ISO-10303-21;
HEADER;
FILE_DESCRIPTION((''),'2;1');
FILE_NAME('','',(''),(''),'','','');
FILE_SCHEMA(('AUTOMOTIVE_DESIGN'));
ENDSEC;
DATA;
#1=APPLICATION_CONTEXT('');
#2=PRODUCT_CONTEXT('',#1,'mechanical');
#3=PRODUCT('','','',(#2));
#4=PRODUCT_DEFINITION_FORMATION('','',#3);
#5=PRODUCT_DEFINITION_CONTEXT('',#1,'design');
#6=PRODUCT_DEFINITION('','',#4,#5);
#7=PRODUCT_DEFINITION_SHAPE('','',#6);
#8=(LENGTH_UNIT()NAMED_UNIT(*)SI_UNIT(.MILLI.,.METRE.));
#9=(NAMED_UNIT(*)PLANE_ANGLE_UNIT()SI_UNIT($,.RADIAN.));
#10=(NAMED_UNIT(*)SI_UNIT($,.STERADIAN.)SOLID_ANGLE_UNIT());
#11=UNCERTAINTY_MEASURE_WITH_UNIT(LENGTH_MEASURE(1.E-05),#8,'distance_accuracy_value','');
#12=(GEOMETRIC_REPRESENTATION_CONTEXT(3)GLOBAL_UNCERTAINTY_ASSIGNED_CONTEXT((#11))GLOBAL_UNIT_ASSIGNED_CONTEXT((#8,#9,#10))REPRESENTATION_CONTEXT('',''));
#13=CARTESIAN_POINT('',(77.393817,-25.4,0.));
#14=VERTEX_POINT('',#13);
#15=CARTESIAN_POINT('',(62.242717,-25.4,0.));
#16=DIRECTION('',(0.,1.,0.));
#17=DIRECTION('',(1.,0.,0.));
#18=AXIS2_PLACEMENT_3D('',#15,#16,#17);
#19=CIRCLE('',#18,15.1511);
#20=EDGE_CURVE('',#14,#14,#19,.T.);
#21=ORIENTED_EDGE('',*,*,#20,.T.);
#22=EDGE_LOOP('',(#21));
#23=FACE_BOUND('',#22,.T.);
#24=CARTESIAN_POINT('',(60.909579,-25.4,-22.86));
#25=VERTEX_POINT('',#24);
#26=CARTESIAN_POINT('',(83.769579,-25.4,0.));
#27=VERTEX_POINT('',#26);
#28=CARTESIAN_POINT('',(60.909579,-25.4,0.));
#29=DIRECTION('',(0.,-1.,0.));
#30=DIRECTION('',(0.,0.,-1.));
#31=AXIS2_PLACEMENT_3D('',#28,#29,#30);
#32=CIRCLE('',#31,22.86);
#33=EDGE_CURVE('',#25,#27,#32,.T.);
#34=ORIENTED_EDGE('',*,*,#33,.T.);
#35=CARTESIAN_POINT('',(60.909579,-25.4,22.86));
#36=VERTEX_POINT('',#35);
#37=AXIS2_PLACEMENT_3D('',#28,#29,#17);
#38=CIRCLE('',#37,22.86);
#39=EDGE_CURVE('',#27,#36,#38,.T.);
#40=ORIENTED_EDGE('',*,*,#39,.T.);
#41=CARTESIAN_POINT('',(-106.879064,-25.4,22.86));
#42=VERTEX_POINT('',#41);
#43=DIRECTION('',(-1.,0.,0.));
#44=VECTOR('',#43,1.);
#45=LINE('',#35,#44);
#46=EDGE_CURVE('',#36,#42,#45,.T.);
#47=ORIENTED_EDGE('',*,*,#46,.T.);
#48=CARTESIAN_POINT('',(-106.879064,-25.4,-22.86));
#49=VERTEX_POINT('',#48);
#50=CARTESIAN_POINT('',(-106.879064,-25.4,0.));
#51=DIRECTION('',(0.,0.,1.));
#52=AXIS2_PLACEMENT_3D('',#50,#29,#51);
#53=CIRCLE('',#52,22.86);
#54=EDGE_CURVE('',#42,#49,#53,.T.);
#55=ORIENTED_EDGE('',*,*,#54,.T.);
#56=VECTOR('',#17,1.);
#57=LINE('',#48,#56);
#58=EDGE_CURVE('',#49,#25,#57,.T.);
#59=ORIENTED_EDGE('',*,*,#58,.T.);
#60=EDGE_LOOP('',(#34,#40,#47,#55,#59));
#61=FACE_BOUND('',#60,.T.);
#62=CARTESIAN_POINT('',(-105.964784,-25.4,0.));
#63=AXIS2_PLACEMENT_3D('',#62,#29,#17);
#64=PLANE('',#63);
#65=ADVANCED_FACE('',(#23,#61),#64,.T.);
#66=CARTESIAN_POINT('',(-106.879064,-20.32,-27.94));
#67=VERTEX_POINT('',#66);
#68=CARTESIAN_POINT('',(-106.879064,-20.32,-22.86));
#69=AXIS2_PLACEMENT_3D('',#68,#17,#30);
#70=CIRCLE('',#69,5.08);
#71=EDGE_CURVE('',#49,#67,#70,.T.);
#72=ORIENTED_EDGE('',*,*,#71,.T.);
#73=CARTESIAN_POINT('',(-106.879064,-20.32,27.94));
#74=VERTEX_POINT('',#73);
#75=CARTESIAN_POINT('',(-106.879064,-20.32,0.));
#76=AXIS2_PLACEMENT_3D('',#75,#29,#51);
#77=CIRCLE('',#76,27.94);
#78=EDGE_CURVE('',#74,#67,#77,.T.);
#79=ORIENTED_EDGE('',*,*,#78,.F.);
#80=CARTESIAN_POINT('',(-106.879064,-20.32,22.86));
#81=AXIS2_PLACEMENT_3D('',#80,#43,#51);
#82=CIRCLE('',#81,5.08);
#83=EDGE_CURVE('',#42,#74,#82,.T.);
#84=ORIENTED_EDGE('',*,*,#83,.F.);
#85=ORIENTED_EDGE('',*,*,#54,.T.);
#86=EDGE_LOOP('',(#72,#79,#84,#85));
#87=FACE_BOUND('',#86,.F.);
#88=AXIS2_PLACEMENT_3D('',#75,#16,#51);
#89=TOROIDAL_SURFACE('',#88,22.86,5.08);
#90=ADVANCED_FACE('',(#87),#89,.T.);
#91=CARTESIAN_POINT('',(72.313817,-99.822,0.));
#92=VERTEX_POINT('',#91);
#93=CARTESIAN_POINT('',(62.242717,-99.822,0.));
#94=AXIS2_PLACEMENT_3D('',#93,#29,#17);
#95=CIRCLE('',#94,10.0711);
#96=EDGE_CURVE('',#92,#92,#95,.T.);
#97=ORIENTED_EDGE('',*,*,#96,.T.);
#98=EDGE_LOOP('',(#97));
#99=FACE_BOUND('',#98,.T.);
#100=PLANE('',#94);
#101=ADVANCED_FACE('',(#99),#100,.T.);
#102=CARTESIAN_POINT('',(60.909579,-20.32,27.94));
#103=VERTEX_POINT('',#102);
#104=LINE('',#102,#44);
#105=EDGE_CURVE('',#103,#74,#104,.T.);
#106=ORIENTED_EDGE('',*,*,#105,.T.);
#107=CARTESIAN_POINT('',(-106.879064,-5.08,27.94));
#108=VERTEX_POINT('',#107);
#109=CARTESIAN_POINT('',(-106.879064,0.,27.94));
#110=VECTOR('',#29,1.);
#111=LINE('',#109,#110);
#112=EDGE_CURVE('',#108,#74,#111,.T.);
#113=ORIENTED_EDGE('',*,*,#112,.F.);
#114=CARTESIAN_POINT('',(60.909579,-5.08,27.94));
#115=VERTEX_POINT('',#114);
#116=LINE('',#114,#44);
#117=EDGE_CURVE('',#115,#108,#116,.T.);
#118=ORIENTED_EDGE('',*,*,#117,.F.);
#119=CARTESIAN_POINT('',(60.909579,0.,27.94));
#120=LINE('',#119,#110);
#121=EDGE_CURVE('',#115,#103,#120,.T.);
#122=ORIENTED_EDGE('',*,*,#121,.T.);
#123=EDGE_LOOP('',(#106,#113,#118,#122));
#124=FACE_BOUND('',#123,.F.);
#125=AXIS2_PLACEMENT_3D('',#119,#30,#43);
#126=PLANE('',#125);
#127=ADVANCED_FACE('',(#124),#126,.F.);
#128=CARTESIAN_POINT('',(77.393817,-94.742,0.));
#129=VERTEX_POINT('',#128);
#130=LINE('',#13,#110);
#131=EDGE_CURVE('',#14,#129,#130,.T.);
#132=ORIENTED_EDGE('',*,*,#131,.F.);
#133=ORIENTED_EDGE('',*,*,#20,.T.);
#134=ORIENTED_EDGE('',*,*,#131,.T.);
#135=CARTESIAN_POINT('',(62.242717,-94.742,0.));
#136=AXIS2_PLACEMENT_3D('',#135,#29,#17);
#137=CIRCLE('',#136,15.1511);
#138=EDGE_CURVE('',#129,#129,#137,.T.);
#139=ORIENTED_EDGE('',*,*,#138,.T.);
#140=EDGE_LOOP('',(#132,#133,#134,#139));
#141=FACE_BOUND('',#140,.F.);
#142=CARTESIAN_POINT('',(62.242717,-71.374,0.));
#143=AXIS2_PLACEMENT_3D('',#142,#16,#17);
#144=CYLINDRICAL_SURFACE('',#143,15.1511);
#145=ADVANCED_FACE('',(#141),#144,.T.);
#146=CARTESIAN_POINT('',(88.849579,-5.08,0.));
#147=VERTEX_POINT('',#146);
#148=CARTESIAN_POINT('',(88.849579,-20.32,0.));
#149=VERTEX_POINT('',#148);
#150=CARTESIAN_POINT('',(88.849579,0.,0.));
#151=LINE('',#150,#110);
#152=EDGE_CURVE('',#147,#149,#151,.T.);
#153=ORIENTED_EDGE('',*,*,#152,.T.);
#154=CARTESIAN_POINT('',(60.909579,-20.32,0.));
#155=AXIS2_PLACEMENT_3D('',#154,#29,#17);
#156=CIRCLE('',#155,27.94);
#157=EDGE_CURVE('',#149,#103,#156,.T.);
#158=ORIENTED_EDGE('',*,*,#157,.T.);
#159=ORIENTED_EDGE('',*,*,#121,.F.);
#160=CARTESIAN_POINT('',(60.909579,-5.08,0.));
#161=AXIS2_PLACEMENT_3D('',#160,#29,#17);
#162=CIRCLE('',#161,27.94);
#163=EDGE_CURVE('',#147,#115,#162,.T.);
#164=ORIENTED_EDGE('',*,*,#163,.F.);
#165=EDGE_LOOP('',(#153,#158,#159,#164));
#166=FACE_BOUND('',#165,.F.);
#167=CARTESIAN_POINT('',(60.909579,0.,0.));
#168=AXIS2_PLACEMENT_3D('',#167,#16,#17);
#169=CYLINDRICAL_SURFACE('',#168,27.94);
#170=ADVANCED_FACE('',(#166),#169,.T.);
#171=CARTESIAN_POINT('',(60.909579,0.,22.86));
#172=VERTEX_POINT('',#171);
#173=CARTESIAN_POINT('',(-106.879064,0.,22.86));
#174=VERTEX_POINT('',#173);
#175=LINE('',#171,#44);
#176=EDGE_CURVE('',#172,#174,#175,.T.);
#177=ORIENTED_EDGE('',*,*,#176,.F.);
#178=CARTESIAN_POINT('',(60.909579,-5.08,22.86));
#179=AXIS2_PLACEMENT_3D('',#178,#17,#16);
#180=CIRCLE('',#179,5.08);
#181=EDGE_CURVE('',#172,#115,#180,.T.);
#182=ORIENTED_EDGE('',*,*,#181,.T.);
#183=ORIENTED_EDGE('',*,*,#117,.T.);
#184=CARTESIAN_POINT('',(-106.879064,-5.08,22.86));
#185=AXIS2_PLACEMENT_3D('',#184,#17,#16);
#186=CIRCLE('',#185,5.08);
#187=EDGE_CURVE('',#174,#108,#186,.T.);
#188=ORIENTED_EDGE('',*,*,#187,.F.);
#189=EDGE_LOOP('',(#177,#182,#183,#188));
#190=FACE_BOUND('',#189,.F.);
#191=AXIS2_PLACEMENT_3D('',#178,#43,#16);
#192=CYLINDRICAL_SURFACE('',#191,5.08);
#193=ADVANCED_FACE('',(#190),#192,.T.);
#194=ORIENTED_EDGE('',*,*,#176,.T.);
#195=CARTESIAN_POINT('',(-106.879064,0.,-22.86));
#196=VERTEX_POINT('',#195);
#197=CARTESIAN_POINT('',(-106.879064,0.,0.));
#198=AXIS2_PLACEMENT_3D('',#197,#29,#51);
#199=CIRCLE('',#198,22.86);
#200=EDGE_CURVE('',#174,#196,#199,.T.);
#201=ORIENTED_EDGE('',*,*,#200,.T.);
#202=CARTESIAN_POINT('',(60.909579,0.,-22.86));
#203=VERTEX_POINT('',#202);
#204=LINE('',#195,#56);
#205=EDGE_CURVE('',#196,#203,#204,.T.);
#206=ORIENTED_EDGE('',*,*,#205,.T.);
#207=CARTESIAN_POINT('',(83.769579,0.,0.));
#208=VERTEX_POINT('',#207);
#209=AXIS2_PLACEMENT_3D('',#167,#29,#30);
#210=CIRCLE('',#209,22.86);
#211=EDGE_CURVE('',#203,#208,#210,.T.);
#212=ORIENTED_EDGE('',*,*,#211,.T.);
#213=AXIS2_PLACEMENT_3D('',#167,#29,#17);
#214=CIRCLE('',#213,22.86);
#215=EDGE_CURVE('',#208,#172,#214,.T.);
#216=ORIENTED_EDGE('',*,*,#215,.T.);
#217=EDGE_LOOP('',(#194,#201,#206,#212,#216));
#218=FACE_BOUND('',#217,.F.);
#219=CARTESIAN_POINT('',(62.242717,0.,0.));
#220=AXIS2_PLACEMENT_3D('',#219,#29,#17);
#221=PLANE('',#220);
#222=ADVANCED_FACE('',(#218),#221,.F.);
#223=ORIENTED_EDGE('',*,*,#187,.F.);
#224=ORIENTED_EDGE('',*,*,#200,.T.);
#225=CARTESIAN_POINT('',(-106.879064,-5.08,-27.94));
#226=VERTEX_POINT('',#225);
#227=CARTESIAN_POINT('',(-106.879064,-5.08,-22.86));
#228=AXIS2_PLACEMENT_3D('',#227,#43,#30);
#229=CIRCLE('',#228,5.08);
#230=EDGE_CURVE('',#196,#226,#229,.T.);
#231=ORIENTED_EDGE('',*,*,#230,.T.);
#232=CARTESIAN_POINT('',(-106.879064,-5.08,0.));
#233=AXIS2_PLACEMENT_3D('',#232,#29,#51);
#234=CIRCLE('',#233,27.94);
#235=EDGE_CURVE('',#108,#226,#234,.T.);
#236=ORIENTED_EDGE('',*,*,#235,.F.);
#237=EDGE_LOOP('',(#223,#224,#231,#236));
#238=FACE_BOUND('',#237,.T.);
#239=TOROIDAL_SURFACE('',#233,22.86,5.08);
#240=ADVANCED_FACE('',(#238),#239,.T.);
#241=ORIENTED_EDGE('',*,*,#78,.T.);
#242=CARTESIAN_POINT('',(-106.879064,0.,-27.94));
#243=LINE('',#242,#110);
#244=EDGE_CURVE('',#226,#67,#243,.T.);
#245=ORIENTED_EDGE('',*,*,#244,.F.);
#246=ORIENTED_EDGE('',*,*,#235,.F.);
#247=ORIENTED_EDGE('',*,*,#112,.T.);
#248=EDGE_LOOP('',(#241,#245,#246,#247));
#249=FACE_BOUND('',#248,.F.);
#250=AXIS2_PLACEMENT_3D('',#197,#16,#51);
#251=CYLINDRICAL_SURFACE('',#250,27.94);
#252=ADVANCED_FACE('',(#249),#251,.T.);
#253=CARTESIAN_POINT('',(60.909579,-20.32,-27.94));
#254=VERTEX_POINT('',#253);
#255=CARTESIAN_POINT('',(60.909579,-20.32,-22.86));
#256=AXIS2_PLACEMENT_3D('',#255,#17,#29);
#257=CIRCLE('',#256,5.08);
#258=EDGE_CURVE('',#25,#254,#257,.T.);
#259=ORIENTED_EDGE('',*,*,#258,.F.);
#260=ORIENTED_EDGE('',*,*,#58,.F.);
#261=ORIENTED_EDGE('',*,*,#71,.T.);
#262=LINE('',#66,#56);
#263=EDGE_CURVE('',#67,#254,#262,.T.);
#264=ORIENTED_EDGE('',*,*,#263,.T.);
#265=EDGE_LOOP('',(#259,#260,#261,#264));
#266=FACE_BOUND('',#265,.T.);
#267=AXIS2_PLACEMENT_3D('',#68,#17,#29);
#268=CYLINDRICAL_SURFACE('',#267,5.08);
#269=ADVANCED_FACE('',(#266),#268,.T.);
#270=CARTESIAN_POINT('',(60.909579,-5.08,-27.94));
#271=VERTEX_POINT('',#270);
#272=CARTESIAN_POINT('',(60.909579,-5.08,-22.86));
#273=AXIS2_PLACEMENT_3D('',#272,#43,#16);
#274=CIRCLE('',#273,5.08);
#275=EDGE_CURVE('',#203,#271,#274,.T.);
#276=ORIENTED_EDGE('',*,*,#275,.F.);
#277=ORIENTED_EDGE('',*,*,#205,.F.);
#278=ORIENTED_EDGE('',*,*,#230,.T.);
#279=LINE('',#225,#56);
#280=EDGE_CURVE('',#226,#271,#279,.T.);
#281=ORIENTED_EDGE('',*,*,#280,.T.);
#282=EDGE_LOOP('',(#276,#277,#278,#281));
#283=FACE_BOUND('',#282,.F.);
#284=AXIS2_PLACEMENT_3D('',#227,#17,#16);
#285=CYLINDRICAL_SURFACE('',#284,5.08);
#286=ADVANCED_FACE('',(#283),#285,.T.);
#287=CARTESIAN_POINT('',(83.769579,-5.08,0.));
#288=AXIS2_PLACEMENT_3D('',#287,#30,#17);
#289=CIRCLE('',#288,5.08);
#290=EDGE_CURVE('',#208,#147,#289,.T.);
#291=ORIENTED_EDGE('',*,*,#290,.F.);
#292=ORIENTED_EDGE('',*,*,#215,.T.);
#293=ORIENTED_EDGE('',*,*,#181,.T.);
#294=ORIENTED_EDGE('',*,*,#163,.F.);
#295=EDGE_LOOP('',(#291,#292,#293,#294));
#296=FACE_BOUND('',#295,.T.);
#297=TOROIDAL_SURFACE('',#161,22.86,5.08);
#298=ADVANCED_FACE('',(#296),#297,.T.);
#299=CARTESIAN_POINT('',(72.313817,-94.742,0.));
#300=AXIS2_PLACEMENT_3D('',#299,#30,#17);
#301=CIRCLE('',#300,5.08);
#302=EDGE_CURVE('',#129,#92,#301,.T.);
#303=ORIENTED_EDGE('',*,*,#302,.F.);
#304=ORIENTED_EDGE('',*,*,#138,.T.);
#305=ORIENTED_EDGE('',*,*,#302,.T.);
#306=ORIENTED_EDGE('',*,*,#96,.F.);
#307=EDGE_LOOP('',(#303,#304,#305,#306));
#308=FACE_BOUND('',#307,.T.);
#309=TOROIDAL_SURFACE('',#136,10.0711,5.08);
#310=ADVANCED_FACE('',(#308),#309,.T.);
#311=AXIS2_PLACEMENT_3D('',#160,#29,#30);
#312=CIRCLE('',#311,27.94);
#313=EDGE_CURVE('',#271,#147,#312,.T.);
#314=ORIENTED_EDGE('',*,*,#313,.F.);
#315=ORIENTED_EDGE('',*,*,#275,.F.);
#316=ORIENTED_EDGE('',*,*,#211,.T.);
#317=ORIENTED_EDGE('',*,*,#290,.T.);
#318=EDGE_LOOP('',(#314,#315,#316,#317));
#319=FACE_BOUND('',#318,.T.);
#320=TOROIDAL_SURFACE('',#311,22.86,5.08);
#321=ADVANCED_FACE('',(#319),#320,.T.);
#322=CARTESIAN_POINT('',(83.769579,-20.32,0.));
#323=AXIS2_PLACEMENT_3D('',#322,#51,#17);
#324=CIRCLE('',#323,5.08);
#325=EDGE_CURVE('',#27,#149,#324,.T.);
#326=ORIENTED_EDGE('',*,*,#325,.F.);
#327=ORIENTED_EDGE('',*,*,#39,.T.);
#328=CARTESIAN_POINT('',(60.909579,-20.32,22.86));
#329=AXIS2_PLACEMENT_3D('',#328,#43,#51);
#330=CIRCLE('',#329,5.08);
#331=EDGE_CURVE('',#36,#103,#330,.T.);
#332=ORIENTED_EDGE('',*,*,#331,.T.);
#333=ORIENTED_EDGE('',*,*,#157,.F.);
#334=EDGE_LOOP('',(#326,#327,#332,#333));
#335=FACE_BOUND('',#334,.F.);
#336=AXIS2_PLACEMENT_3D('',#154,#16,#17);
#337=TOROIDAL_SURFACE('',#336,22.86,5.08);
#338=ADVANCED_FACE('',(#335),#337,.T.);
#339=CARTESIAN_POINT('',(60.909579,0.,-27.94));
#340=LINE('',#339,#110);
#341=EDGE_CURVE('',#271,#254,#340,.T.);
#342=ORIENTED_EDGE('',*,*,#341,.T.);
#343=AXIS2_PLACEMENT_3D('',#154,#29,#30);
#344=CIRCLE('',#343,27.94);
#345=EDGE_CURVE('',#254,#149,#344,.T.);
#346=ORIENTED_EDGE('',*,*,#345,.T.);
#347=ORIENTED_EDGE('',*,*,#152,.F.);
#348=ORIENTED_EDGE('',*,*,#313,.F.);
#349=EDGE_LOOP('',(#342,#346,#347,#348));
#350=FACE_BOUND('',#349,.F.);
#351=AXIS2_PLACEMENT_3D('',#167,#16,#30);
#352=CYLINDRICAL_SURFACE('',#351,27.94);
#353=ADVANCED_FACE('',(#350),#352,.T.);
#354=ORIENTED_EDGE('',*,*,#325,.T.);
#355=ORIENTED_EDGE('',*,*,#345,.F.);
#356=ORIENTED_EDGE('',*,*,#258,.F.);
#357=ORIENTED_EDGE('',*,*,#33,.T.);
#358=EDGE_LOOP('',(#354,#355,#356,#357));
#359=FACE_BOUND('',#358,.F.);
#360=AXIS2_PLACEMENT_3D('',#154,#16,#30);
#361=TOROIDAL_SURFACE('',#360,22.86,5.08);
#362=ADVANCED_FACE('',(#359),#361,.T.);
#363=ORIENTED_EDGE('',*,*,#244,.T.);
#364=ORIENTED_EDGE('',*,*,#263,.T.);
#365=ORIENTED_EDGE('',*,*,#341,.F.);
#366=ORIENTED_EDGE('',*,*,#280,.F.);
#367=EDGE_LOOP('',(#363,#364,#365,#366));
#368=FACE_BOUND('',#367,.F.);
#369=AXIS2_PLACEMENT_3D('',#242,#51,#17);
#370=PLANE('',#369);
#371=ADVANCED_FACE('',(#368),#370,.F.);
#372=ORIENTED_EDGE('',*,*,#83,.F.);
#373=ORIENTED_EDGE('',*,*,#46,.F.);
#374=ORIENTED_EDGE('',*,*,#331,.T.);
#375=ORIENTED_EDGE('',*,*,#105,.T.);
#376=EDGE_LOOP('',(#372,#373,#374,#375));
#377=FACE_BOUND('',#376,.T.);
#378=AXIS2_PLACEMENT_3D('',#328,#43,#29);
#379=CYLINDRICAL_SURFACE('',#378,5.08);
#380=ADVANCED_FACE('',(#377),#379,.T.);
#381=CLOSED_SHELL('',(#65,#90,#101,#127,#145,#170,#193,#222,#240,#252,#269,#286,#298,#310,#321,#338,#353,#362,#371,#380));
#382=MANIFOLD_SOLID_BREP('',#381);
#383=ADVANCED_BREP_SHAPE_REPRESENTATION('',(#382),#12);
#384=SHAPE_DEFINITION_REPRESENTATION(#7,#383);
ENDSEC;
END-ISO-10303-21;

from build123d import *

# Parameters (mm, degrees)
F1_DEPTH = 25.4
F2_R     = 15.1511
F3_DEPTH = 71.374
F4_DEPTH = 28.448
F5_R     = 5.08


with BuildPart() as f1:
    # F0 (on Front) → F1 (new body)
    with BuildSketch(Plane.XZ):
        with BuildLine():
            ThreePointArc((-106.8790640436, -27.94), (-87.1225005772, -19.7565634664), (-78.9390640436, 0))
            ThreePointArc((-78.9390640436, 0), (-87.1225005772, 19.7565634664), (-106.8790640436, 27.94))
            ThreePointArc((-106.8790640436, 27.94), (-134.8190640436, 0), (-106.8790640436, -27.94))
        make_face()
        with BuildLine():
            ThreePointArc((-106.8790640436, 27.94), (-87.1225005772, 19.7565634664), (-78.9390640436, 0))
            ThreePointArc((-78.9390640436, 0), (-87.1225005772, -19.7565634664), (-106.8790640436, -27.94))
            Line((-106.8790640436, -27.94), (60.9095794208, -27.94))
            ThreePointArc((60.9095794208, -27.94), (32.9695794208, 0), (60.9095794208, 27.94))
            Line((60.9095794208, 27.94), (-106.8790640436, 27.94))
        make_face()
        with BuildLine():
            ThreePointArc((88.8495794208, 0), (80.6661428872, 19.7565634664), (60.9095794208, 27.94))
            ThreePointArc((60.9095794208, 27.94), (32.9695794208, 0), (60.9095794208, -27.94))
            ThreePointArc((60.9095794208, -27.94), (80.6661428872, -19.7565634664), (88.8495794208, 0))
        make_face()
    extrude(amount=F1_DEPTH)

    # F2 (on Front) → F3 (join)
    with BuildSketch(Plane.XZ):
        with Locations((62.2427165988, 0)):
            Circle(F2_R)
    extrude(amount=F3_DEPTH)

    # F4 (add): a face of the model
    f4_faces = [f1.faces().sort_by_distance(p)[0] for p in [
        (62.2427165988, -71.374, 0),
    ]]
    extrude(f4_faces, amount=F4_DEPTH)

    # F5
    f5_edges = [f1.edges().sort_by_distance(p)[0] for p in [
        (-22.984742, 0, 27.94),
        (-134.819064, -25.4, 0),
        (47.091617, -99.822, 0),
    ]]
    fillet(f5_edges, radius=F5_R)


solid = f1.part
